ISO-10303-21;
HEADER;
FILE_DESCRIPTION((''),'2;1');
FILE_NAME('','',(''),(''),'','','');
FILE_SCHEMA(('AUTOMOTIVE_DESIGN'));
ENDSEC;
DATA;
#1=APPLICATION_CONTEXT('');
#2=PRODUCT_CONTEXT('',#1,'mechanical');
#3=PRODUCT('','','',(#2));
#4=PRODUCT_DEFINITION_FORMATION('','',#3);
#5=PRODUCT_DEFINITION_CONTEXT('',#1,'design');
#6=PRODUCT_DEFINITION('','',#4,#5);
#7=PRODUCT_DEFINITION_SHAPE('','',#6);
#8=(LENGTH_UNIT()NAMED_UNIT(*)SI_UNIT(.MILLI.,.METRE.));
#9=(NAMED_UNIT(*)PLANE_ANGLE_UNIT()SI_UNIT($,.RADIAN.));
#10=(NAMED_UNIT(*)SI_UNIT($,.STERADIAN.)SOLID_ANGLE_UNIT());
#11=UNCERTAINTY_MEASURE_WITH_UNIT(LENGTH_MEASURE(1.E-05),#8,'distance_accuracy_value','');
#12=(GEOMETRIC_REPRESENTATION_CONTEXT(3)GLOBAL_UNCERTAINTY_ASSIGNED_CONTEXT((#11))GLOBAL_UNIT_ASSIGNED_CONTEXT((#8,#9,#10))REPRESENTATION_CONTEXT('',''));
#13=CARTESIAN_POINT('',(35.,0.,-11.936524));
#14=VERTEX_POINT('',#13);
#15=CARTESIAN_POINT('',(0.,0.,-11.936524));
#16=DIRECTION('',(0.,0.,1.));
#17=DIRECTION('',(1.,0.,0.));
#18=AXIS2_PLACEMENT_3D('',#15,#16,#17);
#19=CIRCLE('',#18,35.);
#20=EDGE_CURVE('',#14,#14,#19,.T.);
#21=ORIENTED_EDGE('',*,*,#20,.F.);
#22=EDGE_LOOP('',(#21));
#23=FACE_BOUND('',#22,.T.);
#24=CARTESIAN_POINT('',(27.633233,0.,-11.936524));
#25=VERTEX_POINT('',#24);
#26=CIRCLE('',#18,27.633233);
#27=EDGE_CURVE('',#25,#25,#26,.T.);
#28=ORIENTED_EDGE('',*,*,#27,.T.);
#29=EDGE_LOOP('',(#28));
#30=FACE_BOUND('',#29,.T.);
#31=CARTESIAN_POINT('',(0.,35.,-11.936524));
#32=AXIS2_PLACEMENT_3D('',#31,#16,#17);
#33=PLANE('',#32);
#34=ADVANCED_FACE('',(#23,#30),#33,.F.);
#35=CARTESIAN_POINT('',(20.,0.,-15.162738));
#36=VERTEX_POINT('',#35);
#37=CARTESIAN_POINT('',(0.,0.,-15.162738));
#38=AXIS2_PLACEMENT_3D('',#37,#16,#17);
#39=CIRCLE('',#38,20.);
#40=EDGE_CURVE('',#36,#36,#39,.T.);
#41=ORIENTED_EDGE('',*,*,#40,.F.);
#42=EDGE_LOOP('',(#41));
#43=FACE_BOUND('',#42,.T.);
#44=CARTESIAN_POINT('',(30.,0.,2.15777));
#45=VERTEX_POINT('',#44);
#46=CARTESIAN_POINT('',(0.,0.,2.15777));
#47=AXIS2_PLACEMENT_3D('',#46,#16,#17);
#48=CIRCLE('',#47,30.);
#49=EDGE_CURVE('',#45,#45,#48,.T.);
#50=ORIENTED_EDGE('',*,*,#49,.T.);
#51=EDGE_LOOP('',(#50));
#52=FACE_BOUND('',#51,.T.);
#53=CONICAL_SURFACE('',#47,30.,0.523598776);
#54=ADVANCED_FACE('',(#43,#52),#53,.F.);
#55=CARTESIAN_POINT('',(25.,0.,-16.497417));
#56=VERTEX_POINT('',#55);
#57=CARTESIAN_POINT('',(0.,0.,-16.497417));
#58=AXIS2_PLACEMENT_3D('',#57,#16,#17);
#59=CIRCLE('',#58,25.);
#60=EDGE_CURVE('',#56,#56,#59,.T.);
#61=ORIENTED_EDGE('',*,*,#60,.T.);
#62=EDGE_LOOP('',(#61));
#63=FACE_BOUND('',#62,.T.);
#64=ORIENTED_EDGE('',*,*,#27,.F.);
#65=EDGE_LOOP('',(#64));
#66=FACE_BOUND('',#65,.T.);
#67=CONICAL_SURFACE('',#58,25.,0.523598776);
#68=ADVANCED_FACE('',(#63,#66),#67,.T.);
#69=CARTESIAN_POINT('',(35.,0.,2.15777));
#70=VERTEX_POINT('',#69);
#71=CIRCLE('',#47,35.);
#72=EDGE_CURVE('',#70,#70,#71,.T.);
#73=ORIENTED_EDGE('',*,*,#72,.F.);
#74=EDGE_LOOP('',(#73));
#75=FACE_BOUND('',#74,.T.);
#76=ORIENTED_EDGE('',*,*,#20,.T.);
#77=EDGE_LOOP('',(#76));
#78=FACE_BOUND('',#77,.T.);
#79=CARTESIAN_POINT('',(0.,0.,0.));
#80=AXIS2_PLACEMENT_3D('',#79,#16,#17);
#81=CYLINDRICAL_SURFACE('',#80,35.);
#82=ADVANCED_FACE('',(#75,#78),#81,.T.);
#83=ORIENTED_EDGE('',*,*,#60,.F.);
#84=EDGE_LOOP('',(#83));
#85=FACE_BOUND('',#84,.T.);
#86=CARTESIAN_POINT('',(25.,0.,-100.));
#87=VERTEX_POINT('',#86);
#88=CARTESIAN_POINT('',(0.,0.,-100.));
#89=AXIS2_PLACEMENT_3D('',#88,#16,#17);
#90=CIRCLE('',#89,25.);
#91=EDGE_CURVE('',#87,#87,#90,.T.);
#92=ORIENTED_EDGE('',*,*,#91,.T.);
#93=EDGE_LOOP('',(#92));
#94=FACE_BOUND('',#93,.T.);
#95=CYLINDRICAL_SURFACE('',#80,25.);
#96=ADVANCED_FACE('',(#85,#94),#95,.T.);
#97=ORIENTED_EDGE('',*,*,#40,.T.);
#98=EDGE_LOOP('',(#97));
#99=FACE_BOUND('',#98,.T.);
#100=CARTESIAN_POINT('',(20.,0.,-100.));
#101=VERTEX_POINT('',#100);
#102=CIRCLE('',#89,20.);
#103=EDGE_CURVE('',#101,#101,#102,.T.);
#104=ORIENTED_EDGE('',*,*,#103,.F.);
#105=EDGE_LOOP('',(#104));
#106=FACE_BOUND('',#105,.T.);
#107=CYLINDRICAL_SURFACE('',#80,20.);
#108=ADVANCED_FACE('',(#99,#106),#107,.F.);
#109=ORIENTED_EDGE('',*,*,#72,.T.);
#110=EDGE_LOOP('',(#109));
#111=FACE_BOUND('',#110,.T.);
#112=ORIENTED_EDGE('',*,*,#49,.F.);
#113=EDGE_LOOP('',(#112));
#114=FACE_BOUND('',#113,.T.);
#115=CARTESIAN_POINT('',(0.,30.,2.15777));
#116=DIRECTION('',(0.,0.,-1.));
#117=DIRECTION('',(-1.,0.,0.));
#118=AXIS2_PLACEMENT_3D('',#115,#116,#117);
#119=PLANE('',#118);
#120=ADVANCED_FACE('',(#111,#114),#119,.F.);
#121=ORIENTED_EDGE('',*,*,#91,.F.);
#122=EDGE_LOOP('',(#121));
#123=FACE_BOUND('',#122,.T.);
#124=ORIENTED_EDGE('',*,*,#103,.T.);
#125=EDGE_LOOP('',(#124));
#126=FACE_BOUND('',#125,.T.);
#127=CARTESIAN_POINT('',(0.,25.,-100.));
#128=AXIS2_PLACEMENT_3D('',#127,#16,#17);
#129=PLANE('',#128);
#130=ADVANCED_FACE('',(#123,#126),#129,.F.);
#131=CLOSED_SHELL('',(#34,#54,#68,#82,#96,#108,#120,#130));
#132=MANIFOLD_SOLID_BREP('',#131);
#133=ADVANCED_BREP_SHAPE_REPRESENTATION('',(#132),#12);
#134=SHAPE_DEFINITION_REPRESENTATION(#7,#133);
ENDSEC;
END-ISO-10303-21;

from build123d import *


with BuildPart() as part:
    # Sketch1 → Revolve1 (revolve)
    with BuildSketch(Plane(origin=(0, 0, 0), x_dir=(0, 0, -1), z_dir=(1, 0, 0)), mode=Mode.PRIVATE) as revolve1_sk:
        Polygon((16.49741665, 25), (100, 25), (100, 20), (15.162737803, 20), (-2.157770273, 30), (-2.157770273, 35), (11.936524094, 35), (11.936524094, 27.633232545), align=None)
    revolve(revolve1_sk.sketch.rotate(Axis((0, 0, 0), (0, 0, -1)), 90), axis=Axis((0, 0, 0), (0, 0, -1)))


solid = part.part
